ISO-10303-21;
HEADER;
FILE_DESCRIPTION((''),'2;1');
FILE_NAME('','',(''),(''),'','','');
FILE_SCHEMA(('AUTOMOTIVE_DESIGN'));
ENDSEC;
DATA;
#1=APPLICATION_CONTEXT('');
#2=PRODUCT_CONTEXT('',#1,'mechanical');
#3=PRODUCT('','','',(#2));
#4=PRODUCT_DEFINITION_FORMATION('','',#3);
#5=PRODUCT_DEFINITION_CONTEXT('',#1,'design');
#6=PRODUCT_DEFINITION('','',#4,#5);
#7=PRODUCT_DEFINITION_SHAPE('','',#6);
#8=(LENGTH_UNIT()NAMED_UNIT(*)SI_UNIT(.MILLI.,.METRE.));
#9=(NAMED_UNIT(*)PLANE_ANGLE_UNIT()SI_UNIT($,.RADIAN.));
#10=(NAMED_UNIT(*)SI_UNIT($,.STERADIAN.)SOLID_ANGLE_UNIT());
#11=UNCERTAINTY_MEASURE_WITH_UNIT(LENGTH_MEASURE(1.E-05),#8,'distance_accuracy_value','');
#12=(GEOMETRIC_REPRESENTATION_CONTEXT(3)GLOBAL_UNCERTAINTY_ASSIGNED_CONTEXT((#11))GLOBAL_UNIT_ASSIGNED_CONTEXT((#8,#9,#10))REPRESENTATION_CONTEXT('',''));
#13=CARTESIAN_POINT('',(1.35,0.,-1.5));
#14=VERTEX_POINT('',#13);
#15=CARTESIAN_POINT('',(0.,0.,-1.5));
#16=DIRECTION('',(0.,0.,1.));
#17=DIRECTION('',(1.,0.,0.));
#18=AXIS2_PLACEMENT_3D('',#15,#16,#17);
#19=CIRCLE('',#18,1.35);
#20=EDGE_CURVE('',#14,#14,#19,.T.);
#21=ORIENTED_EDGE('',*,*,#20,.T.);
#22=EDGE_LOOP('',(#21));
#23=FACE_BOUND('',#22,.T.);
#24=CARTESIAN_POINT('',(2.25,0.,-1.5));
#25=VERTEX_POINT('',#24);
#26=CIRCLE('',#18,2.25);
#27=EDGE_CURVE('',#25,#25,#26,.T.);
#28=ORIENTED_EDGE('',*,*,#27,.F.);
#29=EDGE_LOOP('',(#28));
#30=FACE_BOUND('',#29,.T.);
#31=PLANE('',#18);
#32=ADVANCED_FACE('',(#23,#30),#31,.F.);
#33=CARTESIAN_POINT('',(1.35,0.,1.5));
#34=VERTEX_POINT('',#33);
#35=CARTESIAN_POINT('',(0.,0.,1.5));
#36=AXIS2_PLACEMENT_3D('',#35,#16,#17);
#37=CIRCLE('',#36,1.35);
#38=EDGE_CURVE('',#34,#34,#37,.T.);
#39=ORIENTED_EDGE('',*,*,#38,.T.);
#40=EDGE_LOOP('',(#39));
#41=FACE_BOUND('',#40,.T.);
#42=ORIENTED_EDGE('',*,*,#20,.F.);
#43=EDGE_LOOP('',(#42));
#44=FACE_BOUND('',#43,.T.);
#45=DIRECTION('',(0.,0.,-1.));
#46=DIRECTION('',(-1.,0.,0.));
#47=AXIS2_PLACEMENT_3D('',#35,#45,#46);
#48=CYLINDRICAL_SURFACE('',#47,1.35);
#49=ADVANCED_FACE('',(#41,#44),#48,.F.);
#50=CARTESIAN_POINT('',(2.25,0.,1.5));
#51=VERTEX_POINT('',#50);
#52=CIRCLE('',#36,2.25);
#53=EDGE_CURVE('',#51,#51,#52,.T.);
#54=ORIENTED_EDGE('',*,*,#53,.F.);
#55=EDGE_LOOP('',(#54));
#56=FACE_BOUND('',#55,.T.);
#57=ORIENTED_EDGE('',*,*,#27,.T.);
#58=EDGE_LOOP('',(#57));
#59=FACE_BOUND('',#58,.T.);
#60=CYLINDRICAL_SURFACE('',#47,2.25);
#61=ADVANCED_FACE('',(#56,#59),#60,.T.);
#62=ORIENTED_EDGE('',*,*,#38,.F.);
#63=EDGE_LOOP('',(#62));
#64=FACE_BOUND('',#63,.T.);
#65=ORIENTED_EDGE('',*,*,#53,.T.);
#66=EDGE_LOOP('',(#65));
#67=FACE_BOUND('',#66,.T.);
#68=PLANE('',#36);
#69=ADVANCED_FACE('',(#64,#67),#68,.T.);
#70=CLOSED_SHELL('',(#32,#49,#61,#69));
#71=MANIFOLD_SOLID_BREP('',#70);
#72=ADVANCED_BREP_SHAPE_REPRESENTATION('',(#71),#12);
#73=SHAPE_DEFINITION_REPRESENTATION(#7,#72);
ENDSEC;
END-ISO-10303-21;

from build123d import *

# Parameters (mm, degrees)
SKETCH1_R      = 2.25
SKETCH1_R_2    = 1.35
EXTRUDE1_DEPTH = 1.5


with BuildPart() as part:
    # Sketch1 → Extrude1 (new body, symmetric)
    with BuildSketch(Plane.XY):
        Circle(SKETCH1_R)
        Circle(SKETCH1_R_2, mode=Mode.SUBTRACT)
    extrude(amount=EXTRUDE1_DEPTH, both=True)


solid = part.part
